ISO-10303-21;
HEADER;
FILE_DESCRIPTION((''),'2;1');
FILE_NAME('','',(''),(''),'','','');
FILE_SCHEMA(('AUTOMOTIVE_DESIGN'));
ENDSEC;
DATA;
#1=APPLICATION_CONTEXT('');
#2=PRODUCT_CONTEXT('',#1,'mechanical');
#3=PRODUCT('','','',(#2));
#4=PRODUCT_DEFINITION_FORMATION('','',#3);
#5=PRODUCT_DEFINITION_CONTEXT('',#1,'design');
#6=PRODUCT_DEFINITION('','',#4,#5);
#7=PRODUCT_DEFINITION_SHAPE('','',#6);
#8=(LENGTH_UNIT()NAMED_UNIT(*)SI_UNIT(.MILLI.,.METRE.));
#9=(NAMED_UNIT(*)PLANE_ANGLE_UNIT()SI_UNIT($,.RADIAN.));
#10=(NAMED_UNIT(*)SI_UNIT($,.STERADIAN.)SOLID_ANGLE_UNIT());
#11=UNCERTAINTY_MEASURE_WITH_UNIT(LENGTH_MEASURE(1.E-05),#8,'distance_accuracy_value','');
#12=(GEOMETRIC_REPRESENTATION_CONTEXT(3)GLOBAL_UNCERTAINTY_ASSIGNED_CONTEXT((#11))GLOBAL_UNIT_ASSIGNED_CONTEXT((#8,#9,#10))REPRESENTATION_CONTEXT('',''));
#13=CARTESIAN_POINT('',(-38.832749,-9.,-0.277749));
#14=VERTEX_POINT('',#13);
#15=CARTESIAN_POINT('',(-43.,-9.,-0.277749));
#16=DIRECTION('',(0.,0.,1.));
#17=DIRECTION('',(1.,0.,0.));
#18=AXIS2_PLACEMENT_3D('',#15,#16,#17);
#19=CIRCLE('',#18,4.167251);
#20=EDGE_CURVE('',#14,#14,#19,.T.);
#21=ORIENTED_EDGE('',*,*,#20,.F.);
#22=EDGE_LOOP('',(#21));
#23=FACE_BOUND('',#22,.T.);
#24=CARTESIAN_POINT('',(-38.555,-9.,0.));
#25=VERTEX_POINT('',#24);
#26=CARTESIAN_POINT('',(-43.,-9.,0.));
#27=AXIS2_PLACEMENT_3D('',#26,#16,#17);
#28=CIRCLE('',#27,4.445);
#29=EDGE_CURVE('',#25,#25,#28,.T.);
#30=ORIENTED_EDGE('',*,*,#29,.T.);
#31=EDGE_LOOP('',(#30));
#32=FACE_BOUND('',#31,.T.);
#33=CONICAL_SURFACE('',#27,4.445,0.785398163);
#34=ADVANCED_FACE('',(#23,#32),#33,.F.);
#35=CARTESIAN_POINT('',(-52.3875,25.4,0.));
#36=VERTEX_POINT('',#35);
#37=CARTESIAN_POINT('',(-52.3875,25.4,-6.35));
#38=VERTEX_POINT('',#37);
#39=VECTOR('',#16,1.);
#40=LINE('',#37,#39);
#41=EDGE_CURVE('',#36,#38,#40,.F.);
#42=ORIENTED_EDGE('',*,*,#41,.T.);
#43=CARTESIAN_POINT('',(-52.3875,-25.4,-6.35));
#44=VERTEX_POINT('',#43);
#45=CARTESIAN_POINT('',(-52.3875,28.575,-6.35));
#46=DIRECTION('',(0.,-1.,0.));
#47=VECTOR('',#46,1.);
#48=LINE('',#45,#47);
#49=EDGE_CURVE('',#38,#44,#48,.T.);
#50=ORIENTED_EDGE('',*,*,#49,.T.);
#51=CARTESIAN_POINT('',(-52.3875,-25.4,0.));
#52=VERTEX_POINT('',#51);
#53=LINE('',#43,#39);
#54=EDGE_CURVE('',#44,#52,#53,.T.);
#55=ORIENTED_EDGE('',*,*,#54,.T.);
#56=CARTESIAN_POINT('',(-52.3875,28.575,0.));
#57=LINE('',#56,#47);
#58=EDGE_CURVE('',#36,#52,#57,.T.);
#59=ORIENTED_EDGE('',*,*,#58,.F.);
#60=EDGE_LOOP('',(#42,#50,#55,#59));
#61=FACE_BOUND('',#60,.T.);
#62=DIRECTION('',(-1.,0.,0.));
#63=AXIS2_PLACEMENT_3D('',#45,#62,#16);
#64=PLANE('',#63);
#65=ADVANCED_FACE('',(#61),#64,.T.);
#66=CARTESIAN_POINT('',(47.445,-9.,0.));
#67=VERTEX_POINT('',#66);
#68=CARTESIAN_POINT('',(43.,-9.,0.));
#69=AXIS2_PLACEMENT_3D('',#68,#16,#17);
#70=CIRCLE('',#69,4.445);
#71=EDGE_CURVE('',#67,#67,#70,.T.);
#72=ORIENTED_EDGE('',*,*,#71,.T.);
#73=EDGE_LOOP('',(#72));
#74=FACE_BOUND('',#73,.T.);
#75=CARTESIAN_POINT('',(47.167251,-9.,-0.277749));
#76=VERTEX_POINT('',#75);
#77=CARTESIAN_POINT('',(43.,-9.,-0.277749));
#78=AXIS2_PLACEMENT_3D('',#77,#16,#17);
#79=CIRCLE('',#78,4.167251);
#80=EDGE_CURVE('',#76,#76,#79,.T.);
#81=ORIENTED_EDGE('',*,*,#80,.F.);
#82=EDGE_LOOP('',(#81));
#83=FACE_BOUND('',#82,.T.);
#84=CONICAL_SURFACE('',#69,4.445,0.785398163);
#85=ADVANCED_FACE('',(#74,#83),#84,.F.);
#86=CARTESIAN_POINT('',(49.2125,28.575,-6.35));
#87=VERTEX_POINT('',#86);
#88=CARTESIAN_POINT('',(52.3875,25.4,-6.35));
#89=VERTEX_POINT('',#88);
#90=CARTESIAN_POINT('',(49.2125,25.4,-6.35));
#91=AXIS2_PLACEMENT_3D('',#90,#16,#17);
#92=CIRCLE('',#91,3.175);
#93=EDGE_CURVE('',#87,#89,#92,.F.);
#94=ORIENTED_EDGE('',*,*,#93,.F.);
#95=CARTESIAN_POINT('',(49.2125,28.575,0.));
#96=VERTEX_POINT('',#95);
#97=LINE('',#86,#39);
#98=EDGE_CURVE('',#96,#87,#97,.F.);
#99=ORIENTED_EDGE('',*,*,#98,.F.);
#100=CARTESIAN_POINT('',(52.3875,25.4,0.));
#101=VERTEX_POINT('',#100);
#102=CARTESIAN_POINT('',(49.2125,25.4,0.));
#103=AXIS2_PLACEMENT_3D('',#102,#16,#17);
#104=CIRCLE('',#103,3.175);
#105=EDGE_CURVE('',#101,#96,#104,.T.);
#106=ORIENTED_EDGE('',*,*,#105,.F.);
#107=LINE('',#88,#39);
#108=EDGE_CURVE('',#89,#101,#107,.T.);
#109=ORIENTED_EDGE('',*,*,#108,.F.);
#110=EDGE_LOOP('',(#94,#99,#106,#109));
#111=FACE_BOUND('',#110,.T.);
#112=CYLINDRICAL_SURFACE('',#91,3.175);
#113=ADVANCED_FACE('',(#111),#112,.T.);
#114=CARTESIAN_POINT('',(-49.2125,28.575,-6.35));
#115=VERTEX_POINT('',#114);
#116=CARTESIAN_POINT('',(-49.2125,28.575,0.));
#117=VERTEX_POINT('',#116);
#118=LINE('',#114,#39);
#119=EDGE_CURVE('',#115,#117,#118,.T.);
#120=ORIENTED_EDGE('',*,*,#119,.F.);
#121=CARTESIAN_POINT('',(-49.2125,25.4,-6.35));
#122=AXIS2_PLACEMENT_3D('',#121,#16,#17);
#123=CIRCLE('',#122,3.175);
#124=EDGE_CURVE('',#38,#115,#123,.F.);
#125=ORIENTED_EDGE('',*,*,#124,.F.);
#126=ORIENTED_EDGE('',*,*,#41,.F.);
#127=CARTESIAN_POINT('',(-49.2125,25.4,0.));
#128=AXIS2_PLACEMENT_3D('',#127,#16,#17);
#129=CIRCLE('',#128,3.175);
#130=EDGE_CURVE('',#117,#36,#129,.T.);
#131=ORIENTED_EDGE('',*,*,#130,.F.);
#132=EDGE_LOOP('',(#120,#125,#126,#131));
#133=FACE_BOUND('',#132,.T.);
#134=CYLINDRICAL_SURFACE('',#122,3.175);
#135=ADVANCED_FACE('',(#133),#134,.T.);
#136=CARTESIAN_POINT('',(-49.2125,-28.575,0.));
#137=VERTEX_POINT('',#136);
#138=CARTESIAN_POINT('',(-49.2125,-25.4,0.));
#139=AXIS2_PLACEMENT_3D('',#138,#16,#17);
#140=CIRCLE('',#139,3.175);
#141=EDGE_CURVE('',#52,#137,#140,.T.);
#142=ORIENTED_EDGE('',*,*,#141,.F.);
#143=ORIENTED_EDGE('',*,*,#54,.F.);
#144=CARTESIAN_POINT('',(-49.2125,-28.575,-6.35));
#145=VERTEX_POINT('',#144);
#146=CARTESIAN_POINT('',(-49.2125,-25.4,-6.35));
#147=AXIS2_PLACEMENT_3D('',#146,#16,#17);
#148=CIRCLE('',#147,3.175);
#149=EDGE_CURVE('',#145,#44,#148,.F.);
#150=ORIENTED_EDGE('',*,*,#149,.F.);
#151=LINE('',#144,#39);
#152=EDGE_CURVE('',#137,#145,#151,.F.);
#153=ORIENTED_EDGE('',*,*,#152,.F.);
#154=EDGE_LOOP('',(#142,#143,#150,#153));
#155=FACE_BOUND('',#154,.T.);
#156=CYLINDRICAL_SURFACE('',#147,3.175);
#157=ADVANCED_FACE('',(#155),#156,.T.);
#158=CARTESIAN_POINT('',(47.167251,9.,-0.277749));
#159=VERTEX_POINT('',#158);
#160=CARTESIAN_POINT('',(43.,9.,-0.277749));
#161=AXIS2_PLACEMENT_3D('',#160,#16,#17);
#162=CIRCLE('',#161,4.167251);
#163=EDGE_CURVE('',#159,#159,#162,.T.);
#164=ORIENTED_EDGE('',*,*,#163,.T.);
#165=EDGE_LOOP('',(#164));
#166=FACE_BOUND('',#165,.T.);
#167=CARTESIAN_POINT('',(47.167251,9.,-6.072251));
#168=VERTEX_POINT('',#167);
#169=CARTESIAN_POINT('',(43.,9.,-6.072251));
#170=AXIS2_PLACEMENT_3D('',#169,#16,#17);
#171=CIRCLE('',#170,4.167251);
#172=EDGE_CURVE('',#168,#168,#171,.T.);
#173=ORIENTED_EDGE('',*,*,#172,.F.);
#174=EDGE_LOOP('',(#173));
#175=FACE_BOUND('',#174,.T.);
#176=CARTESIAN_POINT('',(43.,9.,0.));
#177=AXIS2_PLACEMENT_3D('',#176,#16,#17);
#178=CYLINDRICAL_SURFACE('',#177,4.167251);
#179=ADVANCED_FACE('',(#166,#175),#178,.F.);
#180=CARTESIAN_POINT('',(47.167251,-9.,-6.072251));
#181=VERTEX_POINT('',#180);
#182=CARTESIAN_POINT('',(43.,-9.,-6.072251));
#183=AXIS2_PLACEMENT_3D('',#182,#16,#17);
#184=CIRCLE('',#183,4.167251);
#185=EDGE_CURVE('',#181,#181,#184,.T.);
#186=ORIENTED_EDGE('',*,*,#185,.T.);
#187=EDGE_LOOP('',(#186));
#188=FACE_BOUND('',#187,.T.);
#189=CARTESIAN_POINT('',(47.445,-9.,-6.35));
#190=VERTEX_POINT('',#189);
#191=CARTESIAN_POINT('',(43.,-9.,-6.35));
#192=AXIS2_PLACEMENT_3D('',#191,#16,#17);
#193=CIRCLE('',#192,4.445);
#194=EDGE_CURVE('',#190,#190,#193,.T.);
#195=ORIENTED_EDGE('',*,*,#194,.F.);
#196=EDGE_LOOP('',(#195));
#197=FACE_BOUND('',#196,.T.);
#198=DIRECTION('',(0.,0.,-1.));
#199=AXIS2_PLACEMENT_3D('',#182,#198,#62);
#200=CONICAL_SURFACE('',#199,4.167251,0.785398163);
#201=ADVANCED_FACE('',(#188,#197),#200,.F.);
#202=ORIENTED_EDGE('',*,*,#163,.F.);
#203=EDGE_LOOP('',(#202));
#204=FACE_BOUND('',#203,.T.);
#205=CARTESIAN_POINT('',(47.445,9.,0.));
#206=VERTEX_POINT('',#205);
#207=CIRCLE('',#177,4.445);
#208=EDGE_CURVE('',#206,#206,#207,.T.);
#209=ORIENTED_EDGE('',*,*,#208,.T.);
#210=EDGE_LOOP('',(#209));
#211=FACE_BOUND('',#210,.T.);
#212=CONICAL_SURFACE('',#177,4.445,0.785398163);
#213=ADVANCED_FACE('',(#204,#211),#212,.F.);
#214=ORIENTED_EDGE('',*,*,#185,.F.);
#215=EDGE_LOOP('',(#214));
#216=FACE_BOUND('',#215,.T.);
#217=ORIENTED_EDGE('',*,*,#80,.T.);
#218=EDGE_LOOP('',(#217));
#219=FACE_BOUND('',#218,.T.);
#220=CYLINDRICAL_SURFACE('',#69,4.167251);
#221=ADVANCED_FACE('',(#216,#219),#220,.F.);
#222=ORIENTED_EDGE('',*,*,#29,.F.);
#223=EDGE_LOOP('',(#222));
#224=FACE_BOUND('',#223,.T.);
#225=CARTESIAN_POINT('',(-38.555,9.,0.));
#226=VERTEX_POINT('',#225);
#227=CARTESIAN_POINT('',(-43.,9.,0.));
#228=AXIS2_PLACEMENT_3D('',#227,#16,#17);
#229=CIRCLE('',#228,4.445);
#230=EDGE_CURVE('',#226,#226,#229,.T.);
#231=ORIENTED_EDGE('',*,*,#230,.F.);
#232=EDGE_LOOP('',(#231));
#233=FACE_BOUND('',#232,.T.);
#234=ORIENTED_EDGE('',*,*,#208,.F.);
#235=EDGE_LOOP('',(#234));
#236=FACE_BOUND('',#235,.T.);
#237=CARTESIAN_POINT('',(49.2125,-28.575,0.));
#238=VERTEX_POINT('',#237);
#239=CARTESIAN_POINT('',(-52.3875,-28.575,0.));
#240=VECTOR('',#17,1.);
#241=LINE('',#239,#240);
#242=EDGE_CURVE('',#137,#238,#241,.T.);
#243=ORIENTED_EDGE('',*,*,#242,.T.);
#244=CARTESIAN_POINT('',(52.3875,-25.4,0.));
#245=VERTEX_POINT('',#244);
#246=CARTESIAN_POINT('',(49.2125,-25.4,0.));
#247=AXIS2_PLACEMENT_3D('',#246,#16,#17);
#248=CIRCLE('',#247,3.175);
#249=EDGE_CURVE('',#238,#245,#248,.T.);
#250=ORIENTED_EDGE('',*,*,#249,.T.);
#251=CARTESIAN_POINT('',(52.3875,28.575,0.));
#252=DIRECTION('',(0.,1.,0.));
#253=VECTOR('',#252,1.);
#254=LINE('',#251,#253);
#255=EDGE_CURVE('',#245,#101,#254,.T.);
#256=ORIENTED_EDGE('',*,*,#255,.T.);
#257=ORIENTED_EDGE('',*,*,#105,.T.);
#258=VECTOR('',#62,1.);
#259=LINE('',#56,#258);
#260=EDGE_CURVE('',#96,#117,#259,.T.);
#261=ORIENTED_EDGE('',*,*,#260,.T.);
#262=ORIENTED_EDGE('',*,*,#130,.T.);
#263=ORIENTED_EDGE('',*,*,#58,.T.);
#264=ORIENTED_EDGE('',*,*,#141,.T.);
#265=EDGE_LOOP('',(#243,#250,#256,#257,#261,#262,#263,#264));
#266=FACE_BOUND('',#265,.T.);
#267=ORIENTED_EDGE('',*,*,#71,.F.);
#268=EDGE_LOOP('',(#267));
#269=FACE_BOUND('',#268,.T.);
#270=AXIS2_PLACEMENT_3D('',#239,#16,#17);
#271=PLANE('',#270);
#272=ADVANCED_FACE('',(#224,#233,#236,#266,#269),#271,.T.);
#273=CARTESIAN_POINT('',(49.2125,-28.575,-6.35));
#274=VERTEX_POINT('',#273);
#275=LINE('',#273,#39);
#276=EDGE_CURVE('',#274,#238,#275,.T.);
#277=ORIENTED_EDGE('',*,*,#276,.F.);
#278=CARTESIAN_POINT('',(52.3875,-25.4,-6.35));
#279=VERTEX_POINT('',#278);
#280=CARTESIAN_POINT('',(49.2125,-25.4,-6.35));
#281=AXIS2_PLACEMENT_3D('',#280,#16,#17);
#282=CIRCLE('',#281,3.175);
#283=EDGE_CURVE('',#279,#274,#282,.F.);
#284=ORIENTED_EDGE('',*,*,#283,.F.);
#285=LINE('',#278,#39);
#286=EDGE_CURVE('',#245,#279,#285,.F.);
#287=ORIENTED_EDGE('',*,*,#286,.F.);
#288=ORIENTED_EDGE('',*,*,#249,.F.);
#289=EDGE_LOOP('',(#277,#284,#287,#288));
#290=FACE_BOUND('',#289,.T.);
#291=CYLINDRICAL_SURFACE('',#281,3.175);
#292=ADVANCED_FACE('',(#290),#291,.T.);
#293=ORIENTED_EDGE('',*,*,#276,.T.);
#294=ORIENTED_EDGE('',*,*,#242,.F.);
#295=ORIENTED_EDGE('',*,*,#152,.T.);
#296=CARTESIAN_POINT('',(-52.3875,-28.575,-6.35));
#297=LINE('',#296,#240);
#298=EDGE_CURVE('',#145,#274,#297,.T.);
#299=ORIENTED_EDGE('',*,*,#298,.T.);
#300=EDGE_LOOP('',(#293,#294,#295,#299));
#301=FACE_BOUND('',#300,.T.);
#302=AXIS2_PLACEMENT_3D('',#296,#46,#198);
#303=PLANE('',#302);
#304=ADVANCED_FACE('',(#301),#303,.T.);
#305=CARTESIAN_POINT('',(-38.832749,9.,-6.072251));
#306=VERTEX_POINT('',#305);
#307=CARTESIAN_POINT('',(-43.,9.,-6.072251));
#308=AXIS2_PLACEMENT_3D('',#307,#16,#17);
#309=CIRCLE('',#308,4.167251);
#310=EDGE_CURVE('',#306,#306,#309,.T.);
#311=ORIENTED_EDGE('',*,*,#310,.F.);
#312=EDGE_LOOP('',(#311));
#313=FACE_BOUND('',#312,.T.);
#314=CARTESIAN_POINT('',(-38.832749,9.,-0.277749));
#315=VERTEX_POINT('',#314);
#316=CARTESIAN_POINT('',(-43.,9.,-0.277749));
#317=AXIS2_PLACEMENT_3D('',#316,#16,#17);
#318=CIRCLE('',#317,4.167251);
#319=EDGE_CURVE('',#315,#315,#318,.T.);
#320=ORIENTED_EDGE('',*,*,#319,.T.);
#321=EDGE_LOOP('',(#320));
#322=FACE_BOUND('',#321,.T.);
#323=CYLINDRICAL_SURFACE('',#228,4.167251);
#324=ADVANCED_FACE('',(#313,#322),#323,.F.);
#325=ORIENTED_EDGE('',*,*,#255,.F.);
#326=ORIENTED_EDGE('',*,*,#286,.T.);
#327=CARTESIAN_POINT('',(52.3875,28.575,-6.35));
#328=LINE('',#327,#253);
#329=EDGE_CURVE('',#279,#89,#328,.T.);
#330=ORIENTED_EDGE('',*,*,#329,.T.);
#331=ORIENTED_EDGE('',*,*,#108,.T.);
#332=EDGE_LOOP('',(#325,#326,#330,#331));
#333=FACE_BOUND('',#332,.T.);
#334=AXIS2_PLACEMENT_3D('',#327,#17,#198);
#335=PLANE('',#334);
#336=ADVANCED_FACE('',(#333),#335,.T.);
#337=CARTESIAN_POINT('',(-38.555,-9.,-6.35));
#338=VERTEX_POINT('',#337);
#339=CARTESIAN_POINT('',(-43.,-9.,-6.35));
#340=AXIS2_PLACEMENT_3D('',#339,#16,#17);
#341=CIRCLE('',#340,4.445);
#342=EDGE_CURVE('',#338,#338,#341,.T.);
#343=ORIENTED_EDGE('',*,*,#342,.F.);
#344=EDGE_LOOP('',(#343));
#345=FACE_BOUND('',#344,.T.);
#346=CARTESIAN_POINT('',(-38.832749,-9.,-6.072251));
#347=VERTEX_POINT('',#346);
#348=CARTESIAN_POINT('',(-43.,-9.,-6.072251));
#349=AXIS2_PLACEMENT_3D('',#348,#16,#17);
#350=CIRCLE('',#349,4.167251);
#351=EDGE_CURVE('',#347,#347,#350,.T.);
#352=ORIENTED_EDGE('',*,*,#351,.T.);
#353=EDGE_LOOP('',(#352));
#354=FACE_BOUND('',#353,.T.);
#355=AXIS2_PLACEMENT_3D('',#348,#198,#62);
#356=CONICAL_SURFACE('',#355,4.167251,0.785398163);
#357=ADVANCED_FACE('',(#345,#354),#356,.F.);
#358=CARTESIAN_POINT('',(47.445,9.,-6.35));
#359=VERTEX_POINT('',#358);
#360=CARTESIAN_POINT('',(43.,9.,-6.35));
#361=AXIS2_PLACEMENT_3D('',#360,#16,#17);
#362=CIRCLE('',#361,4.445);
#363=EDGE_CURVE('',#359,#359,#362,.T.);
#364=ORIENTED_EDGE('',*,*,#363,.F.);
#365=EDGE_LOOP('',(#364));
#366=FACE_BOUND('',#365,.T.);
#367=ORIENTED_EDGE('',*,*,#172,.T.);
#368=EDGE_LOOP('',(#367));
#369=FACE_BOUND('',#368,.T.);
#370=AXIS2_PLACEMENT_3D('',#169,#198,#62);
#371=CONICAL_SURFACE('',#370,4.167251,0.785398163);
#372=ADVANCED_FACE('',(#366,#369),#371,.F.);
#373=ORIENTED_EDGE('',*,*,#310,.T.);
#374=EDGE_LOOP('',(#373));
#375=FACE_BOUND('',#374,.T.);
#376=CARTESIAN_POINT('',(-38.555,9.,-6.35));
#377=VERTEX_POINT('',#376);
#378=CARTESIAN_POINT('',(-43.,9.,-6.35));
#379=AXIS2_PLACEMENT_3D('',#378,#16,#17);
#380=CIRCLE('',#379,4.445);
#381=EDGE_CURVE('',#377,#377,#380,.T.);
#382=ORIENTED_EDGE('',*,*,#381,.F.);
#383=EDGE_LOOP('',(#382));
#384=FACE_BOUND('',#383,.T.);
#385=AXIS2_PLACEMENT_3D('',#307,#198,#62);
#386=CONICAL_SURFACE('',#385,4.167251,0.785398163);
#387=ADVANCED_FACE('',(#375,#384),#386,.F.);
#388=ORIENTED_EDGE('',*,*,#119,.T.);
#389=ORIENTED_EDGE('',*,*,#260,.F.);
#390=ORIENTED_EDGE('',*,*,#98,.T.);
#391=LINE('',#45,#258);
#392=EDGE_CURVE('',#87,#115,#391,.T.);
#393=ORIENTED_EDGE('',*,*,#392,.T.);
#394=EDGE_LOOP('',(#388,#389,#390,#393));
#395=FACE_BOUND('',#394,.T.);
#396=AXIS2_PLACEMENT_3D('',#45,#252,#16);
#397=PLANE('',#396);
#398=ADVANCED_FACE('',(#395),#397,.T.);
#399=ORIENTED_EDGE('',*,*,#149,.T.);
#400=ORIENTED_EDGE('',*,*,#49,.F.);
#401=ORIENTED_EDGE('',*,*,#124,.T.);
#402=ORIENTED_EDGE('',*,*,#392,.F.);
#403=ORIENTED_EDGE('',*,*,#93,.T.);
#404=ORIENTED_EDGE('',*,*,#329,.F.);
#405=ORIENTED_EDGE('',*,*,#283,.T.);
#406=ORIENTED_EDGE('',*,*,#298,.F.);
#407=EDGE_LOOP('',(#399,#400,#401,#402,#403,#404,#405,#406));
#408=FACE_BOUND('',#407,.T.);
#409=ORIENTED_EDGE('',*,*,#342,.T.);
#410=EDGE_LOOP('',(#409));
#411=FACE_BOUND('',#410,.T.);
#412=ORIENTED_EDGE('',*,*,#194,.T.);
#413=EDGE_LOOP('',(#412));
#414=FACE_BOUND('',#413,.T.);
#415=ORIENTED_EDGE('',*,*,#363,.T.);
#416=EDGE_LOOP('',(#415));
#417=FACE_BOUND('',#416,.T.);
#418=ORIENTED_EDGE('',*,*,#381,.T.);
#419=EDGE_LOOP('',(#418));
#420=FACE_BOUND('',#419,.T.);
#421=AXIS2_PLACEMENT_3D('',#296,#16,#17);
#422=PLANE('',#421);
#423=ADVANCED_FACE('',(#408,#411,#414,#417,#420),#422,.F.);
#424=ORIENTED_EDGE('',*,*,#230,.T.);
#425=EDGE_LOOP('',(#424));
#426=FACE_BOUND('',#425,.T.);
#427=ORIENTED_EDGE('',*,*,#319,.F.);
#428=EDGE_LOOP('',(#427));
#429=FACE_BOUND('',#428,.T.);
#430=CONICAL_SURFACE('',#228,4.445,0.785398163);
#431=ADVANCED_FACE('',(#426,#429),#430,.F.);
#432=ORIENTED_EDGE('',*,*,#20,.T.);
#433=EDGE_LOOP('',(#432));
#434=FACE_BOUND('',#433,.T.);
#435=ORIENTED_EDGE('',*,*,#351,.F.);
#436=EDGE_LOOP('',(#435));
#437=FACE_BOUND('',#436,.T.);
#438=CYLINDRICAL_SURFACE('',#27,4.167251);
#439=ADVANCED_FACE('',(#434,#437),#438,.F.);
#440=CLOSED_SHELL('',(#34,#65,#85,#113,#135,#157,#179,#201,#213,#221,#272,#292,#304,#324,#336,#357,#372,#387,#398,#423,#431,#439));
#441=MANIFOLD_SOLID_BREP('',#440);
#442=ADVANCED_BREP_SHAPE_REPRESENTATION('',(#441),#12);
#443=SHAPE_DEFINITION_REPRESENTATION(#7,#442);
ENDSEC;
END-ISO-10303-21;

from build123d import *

# Parameters (mm, degrees)
SKETCH1_W                                 = 104.775
SKETCH1_H                                 = 57.15
BOSS_EXTRUDE1_DEPTH                       = 6.35
F_21_64_0_32813_DIAMETER_HOLE1_AT_2_COUNT = 2
F_21_64_0_32813_DIAMETER_HOLE1_AT_2_PITCH = 18
FILLET1_R                                 = 3.175


with BuildPart() as part:
    # Sketch1 → Boss-Extrude1 (new body)
    with BuildSketch(Plane.XY):
        Rectangle(SKETCH1_W, SKETCH1_H)
    extrude(amount=-BOSS_EXTRUDE1_DEPTH)

    # Sketch2 → 21/64 (0.32813) Diameter Hole1 (revolve, cut)
    with BuildSketch(Plane(origin=(43.000000106, 9, 0), x_dir=(0, -1, 0), z_dir=(1, 0, 0))):
        Polygon((0, 0), (0, 6.35), (4.445, 6.35), (4.167251, 6.072251), (4.167251, 0.277749), (4.445, 0), align=None)
    f_21_64_0_32813_diameter_hole1 = revolve(axis=Axis((43.000000106, 9, 6.35), (0, 0, -1)), mode=Mode.SUBTRACT)

    # 21/64 (0.32813) Diameter Hole1 at 2: 21/64 (0.32813) Diameter Hole1 ×2
    with Locations(*[(0, -i * F_21_64_0_32813_DIAMETER_HOLE1_AT_2_PITCH, 0) for i in range(1, F_21_64_0_32813_DIAMETER_HOLE1_AT_2_COUNT)]):
        add(f_21_64_0_32813_diameter_hole1, mode=Mode.SUBTRACT)

    # Mirror1: 21/64 (0.32813) Diameter Hole1 across plane
    add(f_21_64_0_32813_diameter_hole1.mirror(Plane(origin=(0, 0, 0), x_dir=(0, 0, 1), z_dir=(1, 0, 0))), mode=Mode.SUBTRACT)

    # Mirror1 copy 1 sketch → Mirror1 copy 1 (revolve, cut)
    with BuildSketch(Plane(origin=(-43.000000106, -9, 0), x_dir=(0, -1, 0), z_dir=(-1, 0, 0))):
        Polygon((0, 0), (0, -6.35), (4.445, -6.35), (4.167251, -6.072251), (4.167251, -0.277749), (4.445, 0), align=None)
    revolve(axis=Axis((-43.000000106, -9, 6.35), (0, 0, 1)), mode=Mode.SUBTRACT)

    # Fillet1
    fillet1_edges = [part.edges().sort_by_distance(p)[0] for p in [
        (-52.3875, 28.575, -3.175),
        (52.3875, 28.575, -3.175),
        (52.3875, -28.575, -3.175),
        (-52.3875, -28.575, -3.175),
    ]]
    fillet(fillet1_edges, radius=FILLET1_R)


solid = part.part
